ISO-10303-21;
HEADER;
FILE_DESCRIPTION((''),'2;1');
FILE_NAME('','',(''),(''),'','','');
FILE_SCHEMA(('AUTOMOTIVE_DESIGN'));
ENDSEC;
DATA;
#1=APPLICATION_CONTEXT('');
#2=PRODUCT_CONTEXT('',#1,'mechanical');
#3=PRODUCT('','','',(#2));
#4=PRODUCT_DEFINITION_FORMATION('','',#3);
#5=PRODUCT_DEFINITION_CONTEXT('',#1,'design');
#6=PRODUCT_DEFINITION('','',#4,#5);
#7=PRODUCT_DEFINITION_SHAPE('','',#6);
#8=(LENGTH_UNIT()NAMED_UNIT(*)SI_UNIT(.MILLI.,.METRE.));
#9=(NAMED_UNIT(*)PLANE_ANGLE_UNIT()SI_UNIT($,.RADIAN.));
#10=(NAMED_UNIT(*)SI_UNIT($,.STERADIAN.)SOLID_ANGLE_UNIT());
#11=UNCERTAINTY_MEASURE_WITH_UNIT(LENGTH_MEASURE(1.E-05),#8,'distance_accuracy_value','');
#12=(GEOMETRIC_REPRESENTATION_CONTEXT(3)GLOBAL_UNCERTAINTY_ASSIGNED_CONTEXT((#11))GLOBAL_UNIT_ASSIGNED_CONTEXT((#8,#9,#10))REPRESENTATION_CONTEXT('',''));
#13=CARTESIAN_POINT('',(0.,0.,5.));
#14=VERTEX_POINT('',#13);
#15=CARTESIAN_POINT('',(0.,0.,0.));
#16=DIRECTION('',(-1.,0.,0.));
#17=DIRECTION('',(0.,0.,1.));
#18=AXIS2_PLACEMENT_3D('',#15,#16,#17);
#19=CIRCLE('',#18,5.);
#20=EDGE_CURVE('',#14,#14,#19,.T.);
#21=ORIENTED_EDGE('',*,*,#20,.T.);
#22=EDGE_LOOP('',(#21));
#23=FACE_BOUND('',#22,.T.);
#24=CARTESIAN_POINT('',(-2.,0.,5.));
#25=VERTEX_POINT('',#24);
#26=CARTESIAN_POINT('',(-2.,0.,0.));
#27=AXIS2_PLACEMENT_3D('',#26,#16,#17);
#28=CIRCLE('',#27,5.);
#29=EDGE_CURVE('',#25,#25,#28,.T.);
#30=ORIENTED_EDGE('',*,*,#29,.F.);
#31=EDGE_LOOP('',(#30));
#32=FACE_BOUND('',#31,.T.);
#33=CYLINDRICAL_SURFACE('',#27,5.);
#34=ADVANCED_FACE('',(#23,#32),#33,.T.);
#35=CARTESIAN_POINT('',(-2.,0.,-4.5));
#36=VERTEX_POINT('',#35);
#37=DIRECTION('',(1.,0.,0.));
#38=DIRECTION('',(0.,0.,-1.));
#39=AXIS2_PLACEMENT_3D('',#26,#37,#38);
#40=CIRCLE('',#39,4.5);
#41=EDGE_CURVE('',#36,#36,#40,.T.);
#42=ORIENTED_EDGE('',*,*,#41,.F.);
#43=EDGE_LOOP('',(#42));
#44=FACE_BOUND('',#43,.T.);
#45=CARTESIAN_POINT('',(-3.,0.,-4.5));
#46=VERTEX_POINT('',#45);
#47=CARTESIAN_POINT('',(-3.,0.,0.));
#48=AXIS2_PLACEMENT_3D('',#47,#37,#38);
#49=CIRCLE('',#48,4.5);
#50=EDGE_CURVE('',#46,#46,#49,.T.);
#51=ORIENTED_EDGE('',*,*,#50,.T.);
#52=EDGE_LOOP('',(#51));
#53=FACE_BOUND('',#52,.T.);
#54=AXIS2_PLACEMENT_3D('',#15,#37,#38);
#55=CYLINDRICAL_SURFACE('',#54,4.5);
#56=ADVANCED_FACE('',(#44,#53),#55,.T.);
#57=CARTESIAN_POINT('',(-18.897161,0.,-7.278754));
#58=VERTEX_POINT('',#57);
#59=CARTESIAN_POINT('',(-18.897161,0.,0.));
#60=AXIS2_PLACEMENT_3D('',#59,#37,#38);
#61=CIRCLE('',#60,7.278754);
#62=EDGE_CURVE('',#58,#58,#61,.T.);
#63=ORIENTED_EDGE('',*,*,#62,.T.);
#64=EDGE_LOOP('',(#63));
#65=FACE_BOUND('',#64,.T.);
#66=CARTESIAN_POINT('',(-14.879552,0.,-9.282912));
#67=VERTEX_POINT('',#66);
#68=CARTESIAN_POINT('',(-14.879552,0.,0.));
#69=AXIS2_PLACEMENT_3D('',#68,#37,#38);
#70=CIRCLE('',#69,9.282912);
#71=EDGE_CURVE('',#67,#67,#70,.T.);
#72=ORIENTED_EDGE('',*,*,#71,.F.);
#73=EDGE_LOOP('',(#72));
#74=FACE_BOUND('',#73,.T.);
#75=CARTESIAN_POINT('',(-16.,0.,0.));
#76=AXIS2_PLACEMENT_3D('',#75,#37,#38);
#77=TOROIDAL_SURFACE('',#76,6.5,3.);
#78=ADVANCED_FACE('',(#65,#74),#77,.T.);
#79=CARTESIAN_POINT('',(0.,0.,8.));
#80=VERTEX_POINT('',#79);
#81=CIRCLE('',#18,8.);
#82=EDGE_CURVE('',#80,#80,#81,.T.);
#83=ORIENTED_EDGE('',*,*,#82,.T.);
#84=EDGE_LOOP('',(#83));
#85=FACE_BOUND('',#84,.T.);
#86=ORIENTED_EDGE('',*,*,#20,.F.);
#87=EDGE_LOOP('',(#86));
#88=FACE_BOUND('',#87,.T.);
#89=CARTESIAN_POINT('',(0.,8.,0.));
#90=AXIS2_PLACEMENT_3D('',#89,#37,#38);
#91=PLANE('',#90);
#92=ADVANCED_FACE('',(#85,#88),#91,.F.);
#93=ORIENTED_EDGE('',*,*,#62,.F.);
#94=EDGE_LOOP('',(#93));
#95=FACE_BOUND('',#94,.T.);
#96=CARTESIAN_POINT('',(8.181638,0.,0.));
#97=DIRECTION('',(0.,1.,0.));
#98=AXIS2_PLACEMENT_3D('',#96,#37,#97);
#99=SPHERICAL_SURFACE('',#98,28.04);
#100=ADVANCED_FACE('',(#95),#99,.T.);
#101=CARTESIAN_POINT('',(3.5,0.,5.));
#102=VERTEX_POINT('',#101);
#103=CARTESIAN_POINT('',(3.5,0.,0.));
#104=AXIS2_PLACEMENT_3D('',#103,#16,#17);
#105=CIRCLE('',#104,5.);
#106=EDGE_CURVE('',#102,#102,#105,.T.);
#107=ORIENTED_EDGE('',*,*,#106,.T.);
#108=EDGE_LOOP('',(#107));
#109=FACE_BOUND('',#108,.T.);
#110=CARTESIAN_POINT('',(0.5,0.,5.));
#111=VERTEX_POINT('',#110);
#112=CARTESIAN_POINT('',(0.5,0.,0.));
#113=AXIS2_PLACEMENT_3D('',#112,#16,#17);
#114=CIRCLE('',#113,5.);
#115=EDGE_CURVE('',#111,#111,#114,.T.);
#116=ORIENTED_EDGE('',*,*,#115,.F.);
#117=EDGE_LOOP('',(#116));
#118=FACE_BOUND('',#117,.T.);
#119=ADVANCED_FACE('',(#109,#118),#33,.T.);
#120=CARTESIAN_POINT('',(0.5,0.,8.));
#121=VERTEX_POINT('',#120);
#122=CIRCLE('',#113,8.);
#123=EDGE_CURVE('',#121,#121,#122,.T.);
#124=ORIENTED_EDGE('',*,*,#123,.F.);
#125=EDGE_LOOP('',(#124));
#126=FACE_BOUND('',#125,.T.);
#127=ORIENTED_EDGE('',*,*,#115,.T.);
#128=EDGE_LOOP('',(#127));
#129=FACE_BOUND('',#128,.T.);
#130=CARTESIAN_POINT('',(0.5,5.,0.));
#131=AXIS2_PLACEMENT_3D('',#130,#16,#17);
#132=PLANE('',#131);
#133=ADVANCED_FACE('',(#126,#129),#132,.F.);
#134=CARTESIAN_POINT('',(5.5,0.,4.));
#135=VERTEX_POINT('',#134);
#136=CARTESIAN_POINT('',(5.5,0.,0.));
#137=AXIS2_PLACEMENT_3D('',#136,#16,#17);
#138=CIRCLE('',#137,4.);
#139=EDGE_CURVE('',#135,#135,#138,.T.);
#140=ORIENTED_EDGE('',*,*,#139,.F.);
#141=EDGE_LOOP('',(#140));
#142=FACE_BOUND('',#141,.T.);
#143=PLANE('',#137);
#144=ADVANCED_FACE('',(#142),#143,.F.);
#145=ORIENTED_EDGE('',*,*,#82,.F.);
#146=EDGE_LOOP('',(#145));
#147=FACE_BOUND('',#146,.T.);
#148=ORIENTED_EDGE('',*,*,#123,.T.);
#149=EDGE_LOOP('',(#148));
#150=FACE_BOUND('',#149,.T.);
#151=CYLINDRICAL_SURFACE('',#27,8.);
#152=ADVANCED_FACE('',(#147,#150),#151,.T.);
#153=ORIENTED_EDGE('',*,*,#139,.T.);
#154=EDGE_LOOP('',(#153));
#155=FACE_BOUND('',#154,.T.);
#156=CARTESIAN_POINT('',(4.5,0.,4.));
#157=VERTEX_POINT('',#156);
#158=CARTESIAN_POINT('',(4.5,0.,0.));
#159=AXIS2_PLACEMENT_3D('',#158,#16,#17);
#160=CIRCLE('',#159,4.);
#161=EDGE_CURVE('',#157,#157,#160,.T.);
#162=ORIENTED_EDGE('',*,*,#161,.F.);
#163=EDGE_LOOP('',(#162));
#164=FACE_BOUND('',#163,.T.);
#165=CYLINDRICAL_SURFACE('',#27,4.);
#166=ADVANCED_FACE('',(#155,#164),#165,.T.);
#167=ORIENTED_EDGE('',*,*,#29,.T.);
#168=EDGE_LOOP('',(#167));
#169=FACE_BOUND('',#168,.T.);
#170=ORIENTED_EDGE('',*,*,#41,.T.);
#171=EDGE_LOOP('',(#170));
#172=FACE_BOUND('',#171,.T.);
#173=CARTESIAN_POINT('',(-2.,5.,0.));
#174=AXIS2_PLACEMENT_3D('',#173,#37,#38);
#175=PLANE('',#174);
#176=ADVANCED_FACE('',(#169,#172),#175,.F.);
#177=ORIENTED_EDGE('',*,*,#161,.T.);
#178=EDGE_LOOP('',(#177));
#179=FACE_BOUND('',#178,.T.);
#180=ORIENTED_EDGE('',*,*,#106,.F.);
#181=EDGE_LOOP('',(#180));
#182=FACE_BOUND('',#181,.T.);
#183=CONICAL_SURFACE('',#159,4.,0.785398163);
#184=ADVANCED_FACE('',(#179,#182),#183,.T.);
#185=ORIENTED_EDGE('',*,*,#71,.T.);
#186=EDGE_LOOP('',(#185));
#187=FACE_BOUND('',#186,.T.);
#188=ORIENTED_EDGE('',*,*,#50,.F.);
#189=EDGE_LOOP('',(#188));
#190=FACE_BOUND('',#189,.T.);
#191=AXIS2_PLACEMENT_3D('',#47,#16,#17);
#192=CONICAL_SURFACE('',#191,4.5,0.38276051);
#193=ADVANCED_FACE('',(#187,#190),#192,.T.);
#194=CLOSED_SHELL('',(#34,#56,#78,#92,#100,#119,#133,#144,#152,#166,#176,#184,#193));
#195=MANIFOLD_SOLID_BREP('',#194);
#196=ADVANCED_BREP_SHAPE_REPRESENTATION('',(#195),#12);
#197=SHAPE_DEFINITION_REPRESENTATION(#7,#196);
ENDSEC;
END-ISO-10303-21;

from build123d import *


with BuildPart() as part:
    # Sketch2 → Revolve1 (revolve)
    with BuildSketch(Plane.XY):
        Polygon((5.5, 0), (5.5, 4), (4.5, 4), (3.5, 5), (0.5, 5), (0.5, 8), (0, 8), (0, 5), (-2, 5), (-2, 0), align=None)
    revolve(axis=Axis((-2, 0, 0), (1, 0, 0)))

    # Sketch4 → Revolve2 (revolve)
    with BuildSketch(Plane.XY):
        with BuildLine():
            Line((0, 4.5), (-3, 4.5))
            Line((-3, 4.5), (-14.879552076, 9.282911506))
            ThreePointArc((-14.879552076, 9.282911506), (-17.339156162, 9.184522448), (-18.897161062, 7.278753994))
            ThreePointArc((-18.897161062, 7.278753994), (-19.617023423, 3.670972882), (-19.858362338, 0))
            Line((-19.858362338, 0), (0, 0))
            Line((0, 0), (0, 4.5))
        make_face()
    revolve(axis=Axis((0, 0, 0), (-1, 0, 0)))


solid = part.part
